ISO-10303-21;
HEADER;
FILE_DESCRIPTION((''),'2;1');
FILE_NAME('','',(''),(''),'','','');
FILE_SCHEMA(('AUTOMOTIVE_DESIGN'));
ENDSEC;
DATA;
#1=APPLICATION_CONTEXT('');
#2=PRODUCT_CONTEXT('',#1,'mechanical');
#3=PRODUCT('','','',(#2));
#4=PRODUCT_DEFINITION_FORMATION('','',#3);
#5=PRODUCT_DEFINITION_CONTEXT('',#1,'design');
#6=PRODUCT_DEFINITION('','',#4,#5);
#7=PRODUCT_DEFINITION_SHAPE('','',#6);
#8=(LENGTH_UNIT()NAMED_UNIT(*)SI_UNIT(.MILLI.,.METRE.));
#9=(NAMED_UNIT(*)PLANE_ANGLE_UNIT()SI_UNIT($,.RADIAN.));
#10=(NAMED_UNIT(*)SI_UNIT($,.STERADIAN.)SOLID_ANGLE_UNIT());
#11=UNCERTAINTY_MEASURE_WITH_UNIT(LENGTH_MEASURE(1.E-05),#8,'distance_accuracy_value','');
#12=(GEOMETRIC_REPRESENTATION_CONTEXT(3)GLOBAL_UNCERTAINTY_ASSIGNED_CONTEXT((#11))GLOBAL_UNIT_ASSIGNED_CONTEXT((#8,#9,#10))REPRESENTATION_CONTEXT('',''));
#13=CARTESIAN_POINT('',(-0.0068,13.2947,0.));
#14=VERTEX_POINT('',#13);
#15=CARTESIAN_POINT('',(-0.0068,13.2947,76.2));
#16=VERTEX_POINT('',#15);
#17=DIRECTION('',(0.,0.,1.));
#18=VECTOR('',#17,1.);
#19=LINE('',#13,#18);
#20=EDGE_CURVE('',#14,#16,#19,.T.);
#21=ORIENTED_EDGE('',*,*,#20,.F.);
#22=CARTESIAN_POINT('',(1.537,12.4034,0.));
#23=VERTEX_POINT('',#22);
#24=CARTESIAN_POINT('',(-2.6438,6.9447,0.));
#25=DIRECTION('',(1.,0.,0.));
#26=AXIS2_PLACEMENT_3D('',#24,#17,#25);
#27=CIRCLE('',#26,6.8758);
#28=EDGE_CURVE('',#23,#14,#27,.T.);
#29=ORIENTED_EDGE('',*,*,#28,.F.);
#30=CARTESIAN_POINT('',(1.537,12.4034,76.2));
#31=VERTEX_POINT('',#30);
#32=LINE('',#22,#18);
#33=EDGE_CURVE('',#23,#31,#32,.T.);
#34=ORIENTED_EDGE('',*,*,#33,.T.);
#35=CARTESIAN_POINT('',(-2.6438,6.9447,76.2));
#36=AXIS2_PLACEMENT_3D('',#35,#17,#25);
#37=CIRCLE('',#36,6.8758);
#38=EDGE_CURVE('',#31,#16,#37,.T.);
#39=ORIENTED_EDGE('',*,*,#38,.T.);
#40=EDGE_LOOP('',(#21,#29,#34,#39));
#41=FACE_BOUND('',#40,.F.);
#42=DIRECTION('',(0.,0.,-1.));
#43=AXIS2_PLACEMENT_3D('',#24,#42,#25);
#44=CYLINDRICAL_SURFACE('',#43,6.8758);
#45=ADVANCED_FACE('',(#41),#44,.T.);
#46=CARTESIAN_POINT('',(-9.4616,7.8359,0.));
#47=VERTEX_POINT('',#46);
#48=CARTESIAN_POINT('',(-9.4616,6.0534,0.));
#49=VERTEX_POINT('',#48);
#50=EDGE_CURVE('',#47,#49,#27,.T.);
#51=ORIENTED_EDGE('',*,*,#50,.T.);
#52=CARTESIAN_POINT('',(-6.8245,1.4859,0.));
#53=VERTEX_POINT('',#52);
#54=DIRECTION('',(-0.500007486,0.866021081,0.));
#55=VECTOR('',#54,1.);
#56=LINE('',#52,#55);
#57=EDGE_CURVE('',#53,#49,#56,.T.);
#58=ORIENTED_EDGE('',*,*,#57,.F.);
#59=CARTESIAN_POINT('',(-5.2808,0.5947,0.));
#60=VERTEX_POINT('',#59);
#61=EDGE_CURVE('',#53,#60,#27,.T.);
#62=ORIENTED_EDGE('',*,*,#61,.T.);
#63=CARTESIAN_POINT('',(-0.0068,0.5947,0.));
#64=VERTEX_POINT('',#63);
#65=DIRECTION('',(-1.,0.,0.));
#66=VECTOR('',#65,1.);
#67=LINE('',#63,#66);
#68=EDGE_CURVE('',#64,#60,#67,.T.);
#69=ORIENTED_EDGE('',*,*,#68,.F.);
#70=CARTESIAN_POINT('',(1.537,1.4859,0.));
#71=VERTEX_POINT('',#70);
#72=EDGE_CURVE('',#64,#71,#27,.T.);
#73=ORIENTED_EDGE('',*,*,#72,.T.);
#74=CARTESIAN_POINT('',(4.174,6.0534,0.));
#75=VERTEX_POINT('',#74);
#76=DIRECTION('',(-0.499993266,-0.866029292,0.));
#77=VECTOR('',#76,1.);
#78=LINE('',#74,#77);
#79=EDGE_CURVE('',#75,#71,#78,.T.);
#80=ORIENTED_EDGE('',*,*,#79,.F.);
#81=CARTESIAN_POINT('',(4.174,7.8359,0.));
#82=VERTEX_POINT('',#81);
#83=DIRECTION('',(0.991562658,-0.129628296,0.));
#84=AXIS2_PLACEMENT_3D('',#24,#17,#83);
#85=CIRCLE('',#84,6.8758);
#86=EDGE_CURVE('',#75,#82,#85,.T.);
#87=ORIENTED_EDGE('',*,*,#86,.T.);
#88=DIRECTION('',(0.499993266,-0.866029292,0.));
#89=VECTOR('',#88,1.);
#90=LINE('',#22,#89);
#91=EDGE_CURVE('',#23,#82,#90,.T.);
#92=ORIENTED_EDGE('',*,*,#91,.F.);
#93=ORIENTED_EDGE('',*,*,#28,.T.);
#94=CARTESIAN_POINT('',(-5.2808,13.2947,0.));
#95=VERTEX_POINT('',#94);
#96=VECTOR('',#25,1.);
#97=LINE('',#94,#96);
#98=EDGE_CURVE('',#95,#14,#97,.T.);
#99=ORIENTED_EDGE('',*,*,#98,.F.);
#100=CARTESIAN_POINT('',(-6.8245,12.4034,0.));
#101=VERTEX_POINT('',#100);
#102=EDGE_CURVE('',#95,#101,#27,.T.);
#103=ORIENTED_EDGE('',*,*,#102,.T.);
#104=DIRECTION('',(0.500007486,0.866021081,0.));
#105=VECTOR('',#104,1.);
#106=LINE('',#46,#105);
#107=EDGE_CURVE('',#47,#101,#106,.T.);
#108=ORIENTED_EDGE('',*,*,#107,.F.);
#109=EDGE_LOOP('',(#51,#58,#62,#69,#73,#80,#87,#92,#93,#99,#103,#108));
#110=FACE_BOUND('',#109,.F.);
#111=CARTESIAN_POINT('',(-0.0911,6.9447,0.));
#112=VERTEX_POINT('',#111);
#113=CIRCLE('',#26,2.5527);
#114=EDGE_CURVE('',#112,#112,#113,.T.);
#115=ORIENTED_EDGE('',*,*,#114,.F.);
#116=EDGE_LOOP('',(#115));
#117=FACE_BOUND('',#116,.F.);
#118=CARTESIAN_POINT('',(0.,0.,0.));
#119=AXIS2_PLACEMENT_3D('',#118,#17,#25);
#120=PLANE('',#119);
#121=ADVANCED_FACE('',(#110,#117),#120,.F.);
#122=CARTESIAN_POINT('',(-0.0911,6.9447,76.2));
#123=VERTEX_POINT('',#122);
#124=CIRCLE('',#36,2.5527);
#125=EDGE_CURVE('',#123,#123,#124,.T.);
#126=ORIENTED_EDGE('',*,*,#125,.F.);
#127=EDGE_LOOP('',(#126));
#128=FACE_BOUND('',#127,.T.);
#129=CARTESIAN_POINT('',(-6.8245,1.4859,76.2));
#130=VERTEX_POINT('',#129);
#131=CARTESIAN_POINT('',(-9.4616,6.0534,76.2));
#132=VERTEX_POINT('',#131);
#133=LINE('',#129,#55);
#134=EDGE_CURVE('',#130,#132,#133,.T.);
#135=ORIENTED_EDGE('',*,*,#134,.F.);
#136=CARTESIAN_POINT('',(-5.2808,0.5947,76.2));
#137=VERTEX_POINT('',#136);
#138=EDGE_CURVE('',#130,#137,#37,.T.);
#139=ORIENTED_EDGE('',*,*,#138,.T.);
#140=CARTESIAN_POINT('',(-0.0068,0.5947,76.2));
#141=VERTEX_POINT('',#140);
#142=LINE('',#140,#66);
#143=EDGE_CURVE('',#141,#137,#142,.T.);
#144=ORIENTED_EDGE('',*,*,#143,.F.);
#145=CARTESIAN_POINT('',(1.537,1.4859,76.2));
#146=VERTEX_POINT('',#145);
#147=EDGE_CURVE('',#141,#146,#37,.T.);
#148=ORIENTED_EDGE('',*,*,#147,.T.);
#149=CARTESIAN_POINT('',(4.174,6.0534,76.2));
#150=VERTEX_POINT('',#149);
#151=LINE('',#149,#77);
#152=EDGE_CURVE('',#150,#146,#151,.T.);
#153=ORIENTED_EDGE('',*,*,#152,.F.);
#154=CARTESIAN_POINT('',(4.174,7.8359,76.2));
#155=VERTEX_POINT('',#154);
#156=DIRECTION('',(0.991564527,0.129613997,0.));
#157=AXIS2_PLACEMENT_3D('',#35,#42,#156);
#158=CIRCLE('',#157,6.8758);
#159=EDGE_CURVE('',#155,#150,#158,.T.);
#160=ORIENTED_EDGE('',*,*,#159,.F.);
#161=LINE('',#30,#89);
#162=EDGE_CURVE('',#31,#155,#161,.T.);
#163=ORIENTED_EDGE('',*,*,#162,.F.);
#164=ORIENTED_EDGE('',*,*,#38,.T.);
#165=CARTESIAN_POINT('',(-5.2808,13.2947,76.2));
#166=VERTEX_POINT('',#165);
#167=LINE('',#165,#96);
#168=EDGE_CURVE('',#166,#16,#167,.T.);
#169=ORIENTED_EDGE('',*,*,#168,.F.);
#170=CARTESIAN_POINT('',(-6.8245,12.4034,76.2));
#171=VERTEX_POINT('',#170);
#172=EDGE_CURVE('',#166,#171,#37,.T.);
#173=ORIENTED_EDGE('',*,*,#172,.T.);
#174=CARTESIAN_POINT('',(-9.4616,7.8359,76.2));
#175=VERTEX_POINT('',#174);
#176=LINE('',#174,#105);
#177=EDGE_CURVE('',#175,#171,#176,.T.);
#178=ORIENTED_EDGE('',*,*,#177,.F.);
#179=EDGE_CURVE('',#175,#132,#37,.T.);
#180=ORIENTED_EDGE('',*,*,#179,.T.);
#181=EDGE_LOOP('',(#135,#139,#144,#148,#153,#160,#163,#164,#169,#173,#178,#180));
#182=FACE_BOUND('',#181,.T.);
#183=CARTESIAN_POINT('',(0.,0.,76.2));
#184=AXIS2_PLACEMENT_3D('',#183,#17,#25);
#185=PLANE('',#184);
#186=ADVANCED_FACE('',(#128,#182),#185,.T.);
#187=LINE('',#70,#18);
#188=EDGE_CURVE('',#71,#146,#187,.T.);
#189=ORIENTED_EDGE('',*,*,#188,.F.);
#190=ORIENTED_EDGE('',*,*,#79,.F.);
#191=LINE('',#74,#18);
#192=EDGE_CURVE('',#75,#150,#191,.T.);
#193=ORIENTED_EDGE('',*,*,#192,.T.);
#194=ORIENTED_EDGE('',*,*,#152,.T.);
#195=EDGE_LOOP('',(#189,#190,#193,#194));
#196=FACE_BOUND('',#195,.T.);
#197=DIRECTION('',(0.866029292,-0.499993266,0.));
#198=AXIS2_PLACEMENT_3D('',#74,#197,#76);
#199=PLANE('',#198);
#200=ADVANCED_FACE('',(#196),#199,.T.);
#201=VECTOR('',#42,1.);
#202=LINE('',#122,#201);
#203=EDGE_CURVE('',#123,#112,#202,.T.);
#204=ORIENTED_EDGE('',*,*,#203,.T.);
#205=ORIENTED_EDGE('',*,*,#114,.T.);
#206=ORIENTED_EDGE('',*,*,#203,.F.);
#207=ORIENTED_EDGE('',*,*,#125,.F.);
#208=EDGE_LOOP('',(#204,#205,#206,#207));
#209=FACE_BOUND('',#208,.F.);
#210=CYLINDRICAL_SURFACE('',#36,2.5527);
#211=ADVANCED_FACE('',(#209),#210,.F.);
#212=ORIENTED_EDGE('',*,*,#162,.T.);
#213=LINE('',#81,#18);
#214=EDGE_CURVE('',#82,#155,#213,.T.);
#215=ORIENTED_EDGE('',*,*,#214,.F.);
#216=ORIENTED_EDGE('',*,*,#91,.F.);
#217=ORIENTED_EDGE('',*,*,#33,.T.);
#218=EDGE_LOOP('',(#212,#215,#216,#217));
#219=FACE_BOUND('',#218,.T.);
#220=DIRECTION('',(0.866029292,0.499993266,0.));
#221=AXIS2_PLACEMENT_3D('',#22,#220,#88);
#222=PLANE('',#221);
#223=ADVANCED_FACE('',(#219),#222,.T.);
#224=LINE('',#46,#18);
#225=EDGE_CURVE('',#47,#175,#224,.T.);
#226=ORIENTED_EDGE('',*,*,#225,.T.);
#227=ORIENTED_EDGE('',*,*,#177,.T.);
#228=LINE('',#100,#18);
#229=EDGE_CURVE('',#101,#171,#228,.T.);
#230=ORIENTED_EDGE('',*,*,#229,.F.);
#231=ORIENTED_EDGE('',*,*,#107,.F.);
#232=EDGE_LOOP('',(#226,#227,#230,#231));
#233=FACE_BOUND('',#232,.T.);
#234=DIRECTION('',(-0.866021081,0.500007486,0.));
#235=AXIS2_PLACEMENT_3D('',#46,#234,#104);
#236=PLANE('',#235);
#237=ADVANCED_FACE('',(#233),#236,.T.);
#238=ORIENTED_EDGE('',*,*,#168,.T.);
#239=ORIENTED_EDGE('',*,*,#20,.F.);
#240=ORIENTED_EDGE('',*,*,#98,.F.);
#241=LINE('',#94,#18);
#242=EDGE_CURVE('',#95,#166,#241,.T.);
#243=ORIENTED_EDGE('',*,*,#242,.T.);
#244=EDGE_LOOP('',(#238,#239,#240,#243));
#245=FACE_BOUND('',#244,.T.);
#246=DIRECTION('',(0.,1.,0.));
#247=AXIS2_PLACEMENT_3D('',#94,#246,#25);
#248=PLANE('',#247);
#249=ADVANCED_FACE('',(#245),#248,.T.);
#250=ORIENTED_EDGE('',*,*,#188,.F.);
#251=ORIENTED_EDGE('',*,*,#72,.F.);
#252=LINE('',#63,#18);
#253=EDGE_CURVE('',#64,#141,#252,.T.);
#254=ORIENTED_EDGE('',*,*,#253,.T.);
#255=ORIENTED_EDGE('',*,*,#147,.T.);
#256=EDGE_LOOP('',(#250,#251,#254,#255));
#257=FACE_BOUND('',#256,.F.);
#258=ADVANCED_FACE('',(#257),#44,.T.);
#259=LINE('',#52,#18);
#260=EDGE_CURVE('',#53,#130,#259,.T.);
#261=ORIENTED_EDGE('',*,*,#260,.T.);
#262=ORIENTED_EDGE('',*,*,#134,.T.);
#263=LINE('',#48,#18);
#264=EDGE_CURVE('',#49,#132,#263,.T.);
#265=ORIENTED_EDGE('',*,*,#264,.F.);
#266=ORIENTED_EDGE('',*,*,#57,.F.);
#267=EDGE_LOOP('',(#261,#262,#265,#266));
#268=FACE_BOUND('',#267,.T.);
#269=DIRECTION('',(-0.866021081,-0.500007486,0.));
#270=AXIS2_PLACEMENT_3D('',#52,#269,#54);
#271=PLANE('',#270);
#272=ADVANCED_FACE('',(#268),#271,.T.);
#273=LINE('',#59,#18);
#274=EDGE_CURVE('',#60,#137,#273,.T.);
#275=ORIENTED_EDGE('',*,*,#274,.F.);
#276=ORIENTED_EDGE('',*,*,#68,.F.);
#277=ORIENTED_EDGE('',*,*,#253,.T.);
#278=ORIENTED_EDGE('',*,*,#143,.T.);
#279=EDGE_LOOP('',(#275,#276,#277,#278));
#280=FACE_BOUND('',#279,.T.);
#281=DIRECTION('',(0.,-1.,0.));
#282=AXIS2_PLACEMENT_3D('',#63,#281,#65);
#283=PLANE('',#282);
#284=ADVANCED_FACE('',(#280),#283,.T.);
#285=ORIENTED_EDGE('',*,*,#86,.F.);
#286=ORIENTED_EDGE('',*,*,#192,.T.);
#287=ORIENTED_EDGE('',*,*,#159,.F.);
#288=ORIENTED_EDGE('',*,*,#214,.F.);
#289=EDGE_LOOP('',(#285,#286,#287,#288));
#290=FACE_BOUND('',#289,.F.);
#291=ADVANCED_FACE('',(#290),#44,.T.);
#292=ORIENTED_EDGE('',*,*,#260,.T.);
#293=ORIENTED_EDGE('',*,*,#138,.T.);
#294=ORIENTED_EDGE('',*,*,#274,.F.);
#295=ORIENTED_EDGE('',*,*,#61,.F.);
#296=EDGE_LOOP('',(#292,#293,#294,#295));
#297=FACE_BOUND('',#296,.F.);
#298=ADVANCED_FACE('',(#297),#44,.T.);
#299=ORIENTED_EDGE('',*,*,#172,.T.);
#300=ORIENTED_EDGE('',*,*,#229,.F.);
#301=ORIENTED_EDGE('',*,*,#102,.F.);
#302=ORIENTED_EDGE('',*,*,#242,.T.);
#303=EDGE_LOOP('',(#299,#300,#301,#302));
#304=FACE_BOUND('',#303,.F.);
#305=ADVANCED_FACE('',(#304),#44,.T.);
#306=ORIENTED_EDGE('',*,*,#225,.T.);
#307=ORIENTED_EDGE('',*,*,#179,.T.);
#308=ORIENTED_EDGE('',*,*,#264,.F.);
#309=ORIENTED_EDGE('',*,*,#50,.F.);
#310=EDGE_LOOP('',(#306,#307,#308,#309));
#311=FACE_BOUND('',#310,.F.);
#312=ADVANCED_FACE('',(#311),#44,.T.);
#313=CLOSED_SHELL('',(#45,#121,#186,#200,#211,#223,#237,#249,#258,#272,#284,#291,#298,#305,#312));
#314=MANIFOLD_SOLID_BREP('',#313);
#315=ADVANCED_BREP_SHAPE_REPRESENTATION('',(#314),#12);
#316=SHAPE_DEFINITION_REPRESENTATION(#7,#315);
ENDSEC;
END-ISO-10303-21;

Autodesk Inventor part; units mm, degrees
ref_plane "YZ Plane" through (0, 0, 0) normal (1, 0, 0) x (0, 1, 0)
ref_plane "XZ Plane" through (0, 0, 0) normal (0, 1, 0) x (-1, 0, 0)
ref_plane "XY Plane" through (0, 0, 0) normal (0, 0, 1) x (1, 0, 0)
sketch "Sketch1" plane through (0, 0, 0) normal (0, 0, 1) x (1, 0, 0)
  circle A0 centre (-2.6438, 6.9447) radius 6.8758
  line L0 (-9.4616, 7.8359) -> (-6.8245, 12.4034)
  line L1 (-6.8245, 1.4859) -> (-9.4616, 6.0534)
  line L2 (-0.0068, 0.5947) -> (-5.2808, 0.5947)
  line L3 (4.174, 6.0534) -> (1.537, 1.4859)
  line L4 (1.537, 12.4034) -> (4.174, 7.8359)
  line L5 (-5.2808, 13.2947) -> (-0.0068, 13.2947)
  point P0 (0, 0)
  point P1 (1.537, 1.4859)
  dimension "d0" = 13.7516
  dimension "d4" = 360
extrude "Extrusion1" add sketch "Sketch1" along normal blind 76.2 contours A0 L3 L2 L1 L0 L5 L4
sketch "Sketch2" plane through (0, 0, 76.2) normal (0, 0, 1) x (1, 0, 0)
  circle A0 centre (-2.6438, 6.9447) radius 2.5527
  line L0 (-5.2808, 0.5947) -> (-0.0068, 0.5947) projected
  line L1 (-2.6438, 6.9447) -> (-5.2808, 0.5947) construction
  line L2 (-2.6438, 6.9447) -> (-0.0068, 0.5947) construction
  point P0 (0, 0)
  dimension "d8" = 5.1054
  dimension "d9" = 6.35
extrude "Extrusion2" cut sketch "Sketch2" against normal blind 76.2
equation "\"d6\" = d5"
equation "\"d10\" = d5"
equation "\"d5\" = 76.2"
properties part number "2 thundershaft" material "Aluminum 6061"
